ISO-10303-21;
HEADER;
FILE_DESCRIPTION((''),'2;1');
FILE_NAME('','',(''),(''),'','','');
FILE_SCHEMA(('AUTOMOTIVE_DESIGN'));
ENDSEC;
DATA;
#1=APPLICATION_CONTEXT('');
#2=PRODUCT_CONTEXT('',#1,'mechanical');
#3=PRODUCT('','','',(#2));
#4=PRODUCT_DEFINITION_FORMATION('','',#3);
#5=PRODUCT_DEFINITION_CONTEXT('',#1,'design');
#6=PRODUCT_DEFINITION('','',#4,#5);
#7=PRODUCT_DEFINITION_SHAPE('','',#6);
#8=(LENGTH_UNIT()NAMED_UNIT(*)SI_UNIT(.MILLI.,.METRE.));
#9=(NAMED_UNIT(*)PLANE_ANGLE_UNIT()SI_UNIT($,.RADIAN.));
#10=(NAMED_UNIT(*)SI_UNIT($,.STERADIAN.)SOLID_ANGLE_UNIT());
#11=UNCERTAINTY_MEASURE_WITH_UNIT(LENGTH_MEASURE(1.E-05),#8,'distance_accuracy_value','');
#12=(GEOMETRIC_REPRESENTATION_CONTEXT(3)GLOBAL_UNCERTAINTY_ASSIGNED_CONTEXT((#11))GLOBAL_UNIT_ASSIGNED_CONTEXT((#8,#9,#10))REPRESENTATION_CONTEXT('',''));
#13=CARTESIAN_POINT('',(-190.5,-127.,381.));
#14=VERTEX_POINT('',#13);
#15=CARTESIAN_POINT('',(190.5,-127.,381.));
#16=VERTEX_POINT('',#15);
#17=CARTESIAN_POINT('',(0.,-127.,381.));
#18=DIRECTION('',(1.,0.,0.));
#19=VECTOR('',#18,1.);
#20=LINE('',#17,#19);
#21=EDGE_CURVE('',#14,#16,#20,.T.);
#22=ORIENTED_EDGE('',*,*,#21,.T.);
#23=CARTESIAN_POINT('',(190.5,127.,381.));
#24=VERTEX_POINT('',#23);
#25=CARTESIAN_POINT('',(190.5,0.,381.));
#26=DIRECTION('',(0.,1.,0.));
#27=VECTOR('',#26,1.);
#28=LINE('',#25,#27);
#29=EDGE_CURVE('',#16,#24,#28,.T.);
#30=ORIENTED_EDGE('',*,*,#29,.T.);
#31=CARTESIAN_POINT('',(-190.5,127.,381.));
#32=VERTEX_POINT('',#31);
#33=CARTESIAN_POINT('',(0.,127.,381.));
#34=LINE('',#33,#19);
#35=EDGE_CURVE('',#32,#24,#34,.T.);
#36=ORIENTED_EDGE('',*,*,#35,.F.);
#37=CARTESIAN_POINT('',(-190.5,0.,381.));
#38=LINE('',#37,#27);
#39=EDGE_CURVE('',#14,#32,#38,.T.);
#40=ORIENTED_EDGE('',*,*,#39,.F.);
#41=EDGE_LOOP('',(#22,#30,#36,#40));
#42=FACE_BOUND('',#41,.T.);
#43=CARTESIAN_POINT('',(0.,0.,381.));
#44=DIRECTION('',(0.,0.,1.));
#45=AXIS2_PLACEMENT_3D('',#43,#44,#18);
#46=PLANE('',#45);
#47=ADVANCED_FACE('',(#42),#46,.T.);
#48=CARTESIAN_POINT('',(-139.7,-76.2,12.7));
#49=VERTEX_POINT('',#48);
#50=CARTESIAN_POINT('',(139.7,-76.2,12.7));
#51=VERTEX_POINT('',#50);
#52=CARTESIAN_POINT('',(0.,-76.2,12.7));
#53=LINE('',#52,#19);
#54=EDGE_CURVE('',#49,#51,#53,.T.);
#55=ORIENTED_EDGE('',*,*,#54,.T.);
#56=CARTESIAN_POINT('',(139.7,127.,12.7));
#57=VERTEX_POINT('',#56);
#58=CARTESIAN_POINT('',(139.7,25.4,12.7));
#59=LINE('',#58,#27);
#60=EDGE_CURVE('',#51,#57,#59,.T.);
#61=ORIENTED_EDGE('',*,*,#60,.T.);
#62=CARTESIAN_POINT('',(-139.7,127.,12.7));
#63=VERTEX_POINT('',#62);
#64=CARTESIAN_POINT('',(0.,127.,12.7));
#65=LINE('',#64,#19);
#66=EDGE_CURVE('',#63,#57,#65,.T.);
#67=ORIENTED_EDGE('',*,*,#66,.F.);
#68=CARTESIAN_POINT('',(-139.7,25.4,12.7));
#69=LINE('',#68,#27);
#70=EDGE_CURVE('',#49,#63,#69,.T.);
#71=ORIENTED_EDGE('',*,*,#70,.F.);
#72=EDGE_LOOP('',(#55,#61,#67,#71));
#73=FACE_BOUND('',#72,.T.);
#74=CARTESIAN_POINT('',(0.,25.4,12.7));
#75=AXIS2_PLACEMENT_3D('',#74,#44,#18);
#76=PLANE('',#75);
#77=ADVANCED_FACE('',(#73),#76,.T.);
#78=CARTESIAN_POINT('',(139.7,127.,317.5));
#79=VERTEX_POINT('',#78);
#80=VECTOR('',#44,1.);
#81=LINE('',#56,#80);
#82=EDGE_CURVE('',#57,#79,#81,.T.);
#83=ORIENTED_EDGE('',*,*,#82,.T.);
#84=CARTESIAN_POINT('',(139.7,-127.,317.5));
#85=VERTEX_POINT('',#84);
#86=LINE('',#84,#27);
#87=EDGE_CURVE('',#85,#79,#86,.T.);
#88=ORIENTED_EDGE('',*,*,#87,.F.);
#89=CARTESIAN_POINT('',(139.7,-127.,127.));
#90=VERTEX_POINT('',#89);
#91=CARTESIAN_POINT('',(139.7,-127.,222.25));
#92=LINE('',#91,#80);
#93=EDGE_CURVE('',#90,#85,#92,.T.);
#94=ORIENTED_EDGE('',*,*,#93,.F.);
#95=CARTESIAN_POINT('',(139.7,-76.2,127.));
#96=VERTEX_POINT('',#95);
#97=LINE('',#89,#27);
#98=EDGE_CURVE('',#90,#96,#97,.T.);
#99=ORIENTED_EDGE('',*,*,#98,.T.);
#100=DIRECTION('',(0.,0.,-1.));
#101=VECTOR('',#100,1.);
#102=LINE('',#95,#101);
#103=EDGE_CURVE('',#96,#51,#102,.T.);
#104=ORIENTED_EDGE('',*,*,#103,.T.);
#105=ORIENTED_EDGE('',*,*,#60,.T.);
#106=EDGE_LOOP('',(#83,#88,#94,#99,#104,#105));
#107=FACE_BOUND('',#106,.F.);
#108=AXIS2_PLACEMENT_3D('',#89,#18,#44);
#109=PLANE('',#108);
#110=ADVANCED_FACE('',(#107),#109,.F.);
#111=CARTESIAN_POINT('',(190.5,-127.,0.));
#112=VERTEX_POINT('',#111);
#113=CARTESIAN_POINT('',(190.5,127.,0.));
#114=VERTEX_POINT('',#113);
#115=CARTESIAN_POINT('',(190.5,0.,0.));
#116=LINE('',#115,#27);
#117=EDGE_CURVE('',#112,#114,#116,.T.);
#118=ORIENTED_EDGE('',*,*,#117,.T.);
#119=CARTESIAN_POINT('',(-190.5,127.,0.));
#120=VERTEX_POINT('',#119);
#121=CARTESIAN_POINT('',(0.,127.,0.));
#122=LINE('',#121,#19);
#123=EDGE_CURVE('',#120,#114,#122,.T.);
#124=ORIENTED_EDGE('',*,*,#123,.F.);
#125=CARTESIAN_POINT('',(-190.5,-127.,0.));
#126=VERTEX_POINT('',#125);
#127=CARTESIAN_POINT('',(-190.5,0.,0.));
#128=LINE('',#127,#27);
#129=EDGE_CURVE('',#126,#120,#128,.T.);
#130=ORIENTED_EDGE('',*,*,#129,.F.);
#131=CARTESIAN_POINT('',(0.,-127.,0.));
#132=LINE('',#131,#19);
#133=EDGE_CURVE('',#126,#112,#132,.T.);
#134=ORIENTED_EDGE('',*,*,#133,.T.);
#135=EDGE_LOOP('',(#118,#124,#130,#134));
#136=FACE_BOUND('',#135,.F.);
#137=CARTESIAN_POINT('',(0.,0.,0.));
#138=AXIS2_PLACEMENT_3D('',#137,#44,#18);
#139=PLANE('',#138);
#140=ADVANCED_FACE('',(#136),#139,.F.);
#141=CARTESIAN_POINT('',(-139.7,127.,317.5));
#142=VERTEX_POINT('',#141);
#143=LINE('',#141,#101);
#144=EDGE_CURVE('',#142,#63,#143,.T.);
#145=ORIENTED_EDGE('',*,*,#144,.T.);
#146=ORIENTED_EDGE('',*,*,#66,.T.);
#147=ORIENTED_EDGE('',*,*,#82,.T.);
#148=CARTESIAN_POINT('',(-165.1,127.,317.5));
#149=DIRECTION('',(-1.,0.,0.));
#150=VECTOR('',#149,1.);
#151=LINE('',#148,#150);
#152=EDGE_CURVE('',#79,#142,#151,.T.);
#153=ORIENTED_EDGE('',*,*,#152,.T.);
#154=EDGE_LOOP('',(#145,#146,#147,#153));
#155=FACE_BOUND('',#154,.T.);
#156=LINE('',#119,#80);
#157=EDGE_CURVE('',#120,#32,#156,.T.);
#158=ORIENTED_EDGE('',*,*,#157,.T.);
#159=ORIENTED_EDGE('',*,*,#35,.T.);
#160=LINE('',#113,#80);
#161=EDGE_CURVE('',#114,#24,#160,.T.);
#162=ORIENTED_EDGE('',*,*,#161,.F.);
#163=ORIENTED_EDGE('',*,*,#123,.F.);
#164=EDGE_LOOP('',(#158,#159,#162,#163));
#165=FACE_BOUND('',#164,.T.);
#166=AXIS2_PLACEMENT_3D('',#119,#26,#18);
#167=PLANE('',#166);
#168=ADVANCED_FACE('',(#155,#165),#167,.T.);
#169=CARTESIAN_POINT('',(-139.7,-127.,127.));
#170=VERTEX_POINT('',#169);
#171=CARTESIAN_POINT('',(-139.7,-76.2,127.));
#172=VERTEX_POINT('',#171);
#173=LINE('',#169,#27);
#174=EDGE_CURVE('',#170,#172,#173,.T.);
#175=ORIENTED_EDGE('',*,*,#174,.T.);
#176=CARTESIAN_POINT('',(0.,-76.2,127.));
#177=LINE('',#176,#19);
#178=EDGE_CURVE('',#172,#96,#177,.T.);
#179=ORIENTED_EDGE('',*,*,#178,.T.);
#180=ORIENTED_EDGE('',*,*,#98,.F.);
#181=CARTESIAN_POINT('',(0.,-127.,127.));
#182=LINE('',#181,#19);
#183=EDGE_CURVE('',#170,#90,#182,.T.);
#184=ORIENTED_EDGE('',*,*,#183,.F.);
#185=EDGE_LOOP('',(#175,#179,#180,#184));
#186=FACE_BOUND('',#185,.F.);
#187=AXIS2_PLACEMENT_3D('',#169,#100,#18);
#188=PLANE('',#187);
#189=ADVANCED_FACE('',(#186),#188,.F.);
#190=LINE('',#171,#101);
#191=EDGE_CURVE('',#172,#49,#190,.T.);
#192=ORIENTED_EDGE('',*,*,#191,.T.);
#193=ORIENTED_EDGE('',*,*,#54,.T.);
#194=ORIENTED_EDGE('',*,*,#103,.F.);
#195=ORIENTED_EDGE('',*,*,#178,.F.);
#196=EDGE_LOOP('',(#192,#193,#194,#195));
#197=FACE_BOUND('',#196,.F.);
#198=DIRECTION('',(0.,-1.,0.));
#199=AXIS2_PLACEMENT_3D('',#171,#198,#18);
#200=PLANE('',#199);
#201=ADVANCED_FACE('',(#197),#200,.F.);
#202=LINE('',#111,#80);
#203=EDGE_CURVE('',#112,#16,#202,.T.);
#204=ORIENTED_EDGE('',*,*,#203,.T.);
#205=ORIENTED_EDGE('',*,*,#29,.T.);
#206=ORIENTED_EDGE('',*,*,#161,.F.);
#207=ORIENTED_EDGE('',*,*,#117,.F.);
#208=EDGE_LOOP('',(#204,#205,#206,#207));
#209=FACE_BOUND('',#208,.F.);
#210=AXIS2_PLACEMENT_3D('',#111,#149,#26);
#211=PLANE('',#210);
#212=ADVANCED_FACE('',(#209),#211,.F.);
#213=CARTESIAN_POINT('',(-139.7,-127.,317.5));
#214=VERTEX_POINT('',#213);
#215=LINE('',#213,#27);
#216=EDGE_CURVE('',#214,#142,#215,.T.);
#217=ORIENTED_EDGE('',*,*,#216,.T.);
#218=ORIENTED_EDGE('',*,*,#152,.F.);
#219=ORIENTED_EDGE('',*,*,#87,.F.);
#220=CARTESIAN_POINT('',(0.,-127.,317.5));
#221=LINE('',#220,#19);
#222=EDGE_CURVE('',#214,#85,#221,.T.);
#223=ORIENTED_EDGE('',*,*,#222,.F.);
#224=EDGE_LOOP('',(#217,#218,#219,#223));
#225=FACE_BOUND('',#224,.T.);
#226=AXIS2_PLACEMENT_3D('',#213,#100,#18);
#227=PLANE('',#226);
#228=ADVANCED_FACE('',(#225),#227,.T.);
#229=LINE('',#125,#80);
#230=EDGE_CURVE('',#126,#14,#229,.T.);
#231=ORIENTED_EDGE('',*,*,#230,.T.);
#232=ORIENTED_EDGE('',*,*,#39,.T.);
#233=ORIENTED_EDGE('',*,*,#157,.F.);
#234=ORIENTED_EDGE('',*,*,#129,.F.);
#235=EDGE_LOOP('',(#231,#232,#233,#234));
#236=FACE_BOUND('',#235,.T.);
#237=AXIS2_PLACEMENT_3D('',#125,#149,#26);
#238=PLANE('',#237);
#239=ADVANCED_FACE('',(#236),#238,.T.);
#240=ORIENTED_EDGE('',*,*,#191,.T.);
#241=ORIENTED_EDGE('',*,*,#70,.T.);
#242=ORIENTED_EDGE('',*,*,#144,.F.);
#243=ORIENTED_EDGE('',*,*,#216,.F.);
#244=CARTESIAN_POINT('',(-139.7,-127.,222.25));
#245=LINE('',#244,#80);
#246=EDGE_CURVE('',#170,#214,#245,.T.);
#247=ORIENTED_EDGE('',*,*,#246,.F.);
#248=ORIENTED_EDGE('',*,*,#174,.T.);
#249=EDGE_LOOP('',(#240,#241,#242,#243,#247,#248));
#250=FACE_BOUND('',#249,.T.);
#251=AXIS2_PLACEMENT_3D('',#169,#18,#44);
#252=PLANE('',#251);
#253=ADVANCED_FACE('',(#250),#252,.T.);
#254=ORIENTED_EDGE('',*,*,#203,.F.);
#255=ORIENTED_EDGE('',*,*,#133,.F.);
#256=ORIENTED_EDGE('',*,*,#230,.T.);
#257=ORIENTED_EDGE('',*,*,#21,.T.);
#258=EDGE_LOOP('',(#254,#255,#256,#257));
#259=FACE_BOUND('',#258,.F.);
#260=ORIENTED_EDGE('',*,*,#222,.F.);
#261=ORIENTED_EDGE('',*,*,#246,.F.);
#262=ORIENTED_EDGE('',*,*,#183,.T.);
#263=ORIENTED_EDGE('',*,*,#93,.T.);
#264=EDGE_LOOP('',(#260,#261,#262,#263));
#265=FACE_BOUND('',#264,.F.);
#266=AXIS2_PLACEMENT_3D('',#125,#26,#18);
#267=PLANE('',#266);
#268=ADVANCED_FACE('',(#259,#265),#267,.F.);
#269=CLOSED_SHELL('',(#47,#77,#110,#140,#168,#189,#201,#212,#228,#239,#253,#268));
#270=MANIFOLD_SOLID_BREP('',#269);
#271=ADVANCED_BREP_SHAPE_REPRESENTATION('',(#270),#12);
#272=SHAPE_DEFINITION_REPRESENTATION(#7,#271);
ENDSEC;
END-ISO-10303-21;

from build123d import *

# Parameters (mm, degrees)
F0_W     = 381
F0_H     = 254
F1_DEPTH = 381
F2_W     = 279.4
F2_H     = 190.5
F3_DEPTH = 254.001
F4_W     = 279.4
F4_H     = 203.2
F5_DEPTH = 114.3


with BuildPart() as f1:
    # F0 (on Top) → F1 (new body)
    with BuildSketch(Plane.XY):
        Rectangle(F0_W, F0_H)
    extrude(amount=F1_DEPTH)

    # F2 (on face) → F3 (cut, through all)
    with BuildSketch(Plane.XZ.offset(127)):
        with Locations((0, 222.25)):
            Rectangle(F2_W, F2_H)
    extrude(amount=-F3_DEPTH, mode=Mode.SUBTRACT)

    # F4 (on face) → F5 (cut)
    with BuildSketch(Plane.XY.offset(127)):
        with Locations((0, 25.4)):
            Rectangle(F4_W, F4_H)
    extrude(amount=-F5_DEPTH, mode=Mode.SUBTRACT)


solid = f1.part
